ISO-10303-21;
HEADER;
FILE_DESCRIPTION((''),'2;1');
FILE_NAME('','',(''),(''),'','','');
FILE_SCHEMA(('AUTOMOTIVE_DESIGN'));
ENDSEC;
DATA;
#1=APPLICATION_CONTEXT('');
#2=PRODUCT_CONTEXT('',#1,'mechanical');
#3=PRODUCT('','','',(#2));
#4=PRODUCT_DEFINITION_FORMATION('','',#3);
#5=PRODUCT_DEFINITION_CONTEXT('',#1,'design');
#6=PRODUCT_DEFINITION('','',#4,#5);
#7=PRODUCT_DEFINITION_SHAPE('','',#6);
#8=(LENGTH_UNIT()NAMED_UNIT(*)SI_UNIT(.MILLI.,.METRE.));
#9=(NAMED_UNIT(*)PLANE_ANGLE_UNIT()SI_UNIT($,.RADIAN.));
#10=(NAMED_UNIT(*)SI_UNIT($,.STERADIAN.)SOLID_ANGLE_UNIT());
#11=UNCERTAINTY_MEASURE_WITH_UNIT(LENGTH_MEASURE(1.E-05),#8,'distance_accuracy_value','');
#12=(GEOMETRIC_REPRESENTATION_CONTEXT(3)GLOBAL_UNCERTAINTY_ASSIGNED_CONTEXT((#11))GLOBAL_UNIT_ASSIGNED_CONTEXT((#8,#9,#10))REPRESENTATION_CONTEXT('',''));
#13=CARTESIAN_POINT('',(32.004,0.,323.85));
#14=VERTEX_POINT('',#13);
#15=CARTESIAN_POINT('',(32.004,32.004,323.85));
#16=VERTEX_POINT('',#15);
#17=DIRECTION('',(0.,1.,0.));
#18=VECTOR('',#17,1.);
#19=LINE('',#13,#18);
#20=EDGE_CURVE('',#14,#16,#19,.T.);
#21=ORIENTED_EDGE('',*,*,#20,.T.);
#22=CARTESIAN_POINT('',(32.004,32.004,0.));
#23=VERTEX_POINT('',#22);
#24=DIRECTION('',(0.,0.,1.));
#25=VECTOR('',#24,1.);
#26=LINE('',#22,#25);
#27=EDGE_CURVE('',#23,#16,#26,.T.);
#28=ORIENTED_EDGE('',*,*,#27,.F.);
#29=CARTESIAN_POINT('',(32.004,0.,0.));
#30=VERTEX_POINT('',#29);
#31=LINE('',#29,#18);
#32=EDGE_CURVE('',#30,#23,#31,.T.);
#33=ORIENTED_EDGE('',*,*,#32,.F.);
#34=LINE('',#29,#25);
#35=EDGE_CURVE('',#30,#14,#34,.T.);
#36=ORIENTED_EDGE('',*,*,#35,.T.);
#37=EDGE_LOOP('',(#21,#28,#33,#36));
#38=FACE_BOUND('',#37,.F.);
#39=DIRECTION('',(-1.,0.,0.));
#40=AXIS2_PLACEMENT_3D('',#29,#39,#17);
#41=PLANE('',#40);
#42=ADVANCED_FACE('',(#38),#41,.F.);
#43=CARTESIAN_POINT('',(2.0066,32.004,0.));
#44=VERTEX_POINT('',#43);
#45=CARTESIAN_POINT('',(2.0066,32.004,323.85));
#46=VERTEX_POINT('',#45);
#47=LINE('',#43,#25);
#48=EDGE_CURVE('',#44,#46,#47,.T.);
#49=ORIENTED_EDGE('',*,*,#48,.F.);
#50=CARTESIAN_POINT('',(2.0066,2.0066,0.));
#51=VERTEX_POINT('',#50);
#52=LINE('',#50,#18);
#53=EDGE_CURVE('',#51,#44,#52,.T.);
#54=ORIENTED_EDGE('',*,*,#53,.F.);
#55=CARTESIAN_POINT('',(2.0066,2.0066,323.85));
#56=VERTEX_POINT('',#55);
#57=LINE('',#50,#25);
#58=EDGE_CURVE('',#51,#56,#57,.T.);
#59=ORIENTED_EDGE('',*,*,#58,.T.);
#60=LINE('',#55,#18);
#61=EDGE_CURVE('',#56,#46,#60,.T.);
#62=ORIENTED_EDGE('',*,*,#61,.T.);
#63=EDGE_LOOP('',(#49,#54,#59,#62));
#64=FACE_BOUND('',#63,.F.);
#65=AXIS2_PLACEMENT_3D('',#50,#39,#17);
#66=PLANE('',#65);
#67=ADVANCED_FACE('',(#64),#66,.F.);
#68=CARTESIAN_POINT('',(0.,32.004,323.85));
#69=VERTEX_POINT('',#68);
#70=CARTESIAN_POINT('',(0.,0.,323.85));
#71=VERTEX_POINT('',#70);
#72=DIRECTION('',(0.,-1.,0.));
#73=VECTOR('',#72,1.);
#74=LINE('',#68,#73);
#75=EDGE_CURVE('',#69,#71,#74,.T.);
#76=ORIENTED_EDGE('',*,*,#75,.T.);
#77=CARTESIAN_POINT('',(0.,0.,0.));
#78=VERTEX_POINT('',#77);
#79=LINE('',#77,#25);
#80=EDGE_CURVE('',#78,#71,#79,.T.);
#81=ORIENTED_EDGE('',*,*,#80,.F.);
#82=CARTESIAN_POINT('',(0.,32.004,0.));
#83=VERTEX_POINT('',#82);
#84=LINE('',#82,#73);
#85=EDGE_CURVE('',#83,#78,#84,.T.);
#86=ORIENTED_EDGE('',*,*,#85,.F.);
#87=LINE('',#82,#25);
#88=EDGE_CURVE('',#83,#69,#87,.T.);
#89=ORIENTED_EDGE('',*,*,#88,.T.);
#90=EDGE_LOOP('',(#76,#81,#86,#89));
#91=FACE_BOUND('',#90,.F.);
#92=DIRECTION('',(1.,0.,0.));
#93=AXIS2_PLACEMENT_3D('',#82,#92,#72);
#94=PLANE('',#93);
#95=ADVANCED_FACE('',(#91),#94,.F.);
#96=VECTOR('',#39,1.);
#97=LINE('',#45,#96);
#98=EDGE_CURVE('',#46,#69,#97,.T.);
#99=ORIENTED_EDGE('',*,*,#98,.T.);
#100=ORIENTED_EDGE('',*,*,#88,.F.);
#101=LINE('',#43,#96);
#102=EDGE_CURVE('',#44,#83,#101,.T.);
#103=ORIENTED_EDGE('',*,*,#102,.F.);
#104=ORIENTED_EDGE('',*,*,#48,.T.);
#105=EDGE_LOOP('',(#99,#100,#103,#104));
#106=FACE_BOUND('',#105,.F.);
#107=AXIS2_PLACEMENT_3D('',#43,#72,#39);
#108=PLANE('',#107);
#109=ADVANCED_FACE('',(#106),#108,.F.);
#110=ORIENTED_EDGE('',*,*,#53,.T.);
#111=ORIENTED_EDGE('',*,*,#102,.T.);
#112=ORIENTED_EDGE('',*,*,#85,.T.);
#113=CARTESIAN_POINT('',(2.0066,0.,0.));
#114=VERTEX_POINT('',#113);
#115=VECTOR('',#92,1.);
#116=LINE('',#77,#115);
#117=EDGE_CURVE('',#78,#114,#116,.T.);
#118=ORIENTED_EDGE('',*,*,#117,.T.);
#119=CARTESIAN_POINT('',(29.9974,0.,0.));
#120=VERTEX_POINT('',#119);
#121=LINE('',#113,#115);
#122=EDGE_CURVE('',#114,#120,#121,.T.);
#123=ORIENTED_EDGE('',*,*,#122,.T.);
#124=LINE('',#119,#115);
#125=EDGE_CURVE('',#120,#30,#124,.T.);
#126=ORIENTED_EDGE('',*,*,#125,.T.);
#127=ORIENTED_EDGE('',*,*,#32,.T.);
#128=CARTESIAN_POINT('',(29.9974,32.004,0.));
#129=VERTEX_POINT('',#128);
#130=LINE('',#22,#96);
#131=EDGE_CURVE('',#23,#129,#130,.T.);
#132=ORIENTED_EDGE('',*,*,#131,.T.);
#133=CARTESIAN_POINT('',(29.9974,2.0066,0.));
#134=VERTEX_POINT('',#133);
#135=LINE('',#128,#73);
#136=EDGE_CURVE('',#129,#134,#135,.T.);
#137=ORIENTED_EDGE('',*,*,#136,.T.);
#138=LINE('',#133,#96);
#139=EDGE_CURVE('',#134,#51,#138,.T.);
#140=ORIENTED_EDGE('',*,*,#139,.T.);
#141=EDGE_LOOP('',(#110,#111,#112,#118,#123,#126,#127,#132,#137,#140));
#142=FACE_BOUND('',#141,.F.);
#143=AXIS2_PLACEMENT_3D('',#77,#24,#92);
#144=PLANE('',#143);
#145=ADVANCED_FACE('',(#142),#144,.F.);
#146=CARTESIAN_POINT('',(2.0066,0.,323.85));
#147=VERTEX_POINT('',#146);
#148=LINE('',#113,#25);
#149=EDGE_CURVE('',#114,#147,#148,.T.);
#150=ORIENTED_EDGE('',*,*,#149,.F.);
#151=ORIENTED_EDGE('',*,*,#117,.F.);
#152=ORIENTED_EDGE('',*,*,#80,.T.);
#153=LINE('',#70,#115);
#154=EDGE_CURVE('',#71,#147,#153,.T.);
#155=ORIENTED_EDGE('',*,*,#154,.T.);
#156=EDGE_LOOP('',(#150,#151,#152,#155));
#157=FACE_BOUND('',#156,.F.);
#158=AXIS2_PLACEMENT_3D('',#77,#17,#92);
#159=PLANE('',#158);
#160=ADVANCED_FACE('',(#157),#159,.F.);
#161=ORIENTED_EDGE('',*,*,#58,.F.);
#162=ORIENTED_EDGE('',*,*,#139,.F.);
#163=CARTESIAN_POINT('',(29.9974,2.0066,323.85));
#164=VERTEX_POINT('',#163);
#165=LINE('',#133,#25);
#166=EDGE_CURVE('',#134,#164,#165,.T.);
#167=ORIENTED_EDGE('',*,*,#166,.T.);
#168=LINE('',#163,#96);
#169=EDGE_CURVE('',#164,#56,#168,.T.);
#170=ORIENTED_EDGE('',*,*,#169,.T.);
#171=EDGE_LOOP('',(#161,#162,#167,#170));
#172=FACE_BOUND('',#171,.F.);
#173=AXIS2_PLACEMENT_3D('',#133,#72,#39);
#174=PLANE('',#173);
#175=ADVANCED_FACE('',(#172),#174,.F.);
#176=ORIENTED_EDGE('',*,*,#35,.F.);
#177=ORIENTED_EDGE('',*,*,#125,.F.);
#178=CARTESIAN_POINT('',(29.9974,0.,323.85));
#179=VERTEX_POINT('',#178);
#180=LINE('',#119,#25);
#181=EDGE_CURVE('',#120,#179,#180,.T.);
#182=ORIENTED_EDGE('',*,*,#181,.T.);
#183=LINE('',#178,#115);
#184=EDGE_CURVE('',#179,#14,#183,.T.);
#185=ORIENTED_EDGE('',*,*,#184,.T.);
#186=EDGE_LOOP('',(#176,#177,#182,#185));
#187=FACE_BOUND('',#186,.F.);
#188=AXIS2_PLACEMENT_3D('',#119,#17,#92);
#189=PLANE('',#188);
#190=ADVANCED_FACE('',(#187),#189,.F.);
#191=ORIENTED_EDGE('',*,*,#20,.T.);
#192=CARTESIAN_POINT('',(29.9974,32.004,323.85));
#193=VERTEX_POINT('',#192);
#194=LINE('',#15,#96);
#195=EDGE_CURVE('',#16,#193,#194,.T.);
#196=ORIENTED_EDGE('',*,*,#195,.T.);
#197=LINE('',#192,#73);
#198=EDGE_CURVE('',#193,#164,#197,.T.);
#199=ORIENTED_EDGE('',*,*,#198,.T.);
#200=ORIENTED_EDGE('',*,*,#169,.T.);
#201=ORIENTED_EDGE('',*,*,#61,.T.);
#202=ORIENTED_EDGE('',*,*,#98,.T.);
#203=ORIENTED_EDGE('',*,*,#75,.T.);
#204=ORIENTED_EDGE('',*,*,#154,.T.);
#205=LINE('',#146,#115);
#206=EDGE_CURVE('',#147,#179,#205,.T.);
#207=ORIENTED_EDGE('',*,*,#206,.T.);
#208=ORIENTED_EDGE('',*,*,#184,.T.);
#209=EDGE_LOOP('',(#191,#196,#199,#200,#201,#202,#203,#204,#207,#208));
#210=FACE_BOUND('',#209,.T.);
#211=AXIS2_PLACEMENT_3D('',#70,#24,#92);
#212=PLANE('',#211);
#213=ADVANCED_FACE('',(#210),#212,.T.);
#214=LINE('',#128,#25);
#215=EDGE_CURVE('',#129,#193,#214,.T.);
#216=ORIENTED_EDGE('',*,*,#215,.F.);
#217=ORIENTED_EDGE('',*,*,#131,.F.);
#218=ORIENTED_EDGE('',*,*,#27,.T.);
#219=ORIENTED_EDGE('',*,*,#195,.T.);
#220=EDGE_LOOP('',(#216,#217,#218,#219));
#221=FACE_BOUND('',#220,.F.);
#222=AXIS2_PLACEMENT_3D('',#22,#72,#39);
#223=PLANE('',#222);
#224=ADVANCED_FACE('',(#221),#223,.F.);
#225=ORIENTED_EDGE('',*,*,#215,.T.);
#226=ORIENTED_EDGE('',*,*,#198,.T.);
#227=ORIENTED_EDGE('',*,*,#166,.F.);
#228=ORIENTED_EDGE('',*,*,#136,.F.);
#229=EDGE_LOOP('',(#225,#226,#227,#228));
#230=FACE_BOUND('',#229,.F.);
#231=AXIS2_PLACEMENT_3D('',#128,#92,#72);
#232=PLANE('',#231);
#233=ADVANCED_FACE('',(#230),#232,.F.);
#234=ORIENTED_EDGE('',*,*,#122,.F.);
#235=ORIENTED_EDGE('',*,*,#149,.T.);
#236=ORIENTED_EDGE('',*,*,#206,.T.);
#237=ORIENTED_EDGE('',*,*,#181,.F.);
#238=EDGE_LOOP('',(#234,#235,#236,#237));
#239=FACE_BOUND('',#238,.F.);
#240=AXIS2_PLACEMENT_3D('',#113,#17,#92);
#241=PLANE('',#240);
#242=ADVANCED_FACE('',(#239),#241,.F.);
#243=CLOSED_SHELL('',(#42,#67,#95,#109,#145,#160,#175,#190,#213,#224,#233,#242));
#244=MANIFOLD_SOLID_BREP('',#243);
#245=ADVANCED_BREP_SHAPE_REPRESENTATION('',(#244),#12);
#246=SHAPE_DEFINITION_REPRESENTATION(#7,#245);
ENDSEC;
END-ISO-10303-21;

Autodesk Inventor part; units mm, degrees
ref_plane "YZ Plane" through (0, 0, 0) normal (1, 0, 0) x (0, 1, 0)
ref_plane "XZ Plane" through (0, 0, 0) normal (0, 1, 0) x (-1, 0, 0)
ref_plane "XY Plane" through (0, 0, 0) normal (0, 0, 1) x (1, 0, 0)
sketch "Sketch1" plane through (0, 0, 0) normal (0, 0, 1) x (1, 0, 0)
  line L0 (2.0066, 32.004) -> (0, 32.004)
  line L1 (0, 32.004) -> (0, 0)
  line L2 (0, 0) -> (2.0066, 0)
  line L3 (2.0066, 2.0066) -> (2.0066, 32.004)
  line L4 (2.0066, 0) -> (29.9974, 0)
  line L5 (29.9974, 2.0066) -> (2.0066, 2.0066)
  line L6 (29.9974, 0) -> (32.004, 0)
  line L7 (32.004, 0) -> (32.004, 32.004)
  line L8 (32.004, 32.004) -> (29.9974, 32.004)
  line L9 (29.9974, 32.004) -> (29.9974, 2.0066)
  dimension "d2" = 2.0066
  dimension "d3" = 32.004
sketch "Sketch2" plane through (0, 0, 0) normal (0, 0, 1) x (1, 0, 0)
  point P0 (0, 0)
extrude "Extrusion1" add sketch "Sketch1" along normal blind 323.85
properties part number "USEsolid5"
